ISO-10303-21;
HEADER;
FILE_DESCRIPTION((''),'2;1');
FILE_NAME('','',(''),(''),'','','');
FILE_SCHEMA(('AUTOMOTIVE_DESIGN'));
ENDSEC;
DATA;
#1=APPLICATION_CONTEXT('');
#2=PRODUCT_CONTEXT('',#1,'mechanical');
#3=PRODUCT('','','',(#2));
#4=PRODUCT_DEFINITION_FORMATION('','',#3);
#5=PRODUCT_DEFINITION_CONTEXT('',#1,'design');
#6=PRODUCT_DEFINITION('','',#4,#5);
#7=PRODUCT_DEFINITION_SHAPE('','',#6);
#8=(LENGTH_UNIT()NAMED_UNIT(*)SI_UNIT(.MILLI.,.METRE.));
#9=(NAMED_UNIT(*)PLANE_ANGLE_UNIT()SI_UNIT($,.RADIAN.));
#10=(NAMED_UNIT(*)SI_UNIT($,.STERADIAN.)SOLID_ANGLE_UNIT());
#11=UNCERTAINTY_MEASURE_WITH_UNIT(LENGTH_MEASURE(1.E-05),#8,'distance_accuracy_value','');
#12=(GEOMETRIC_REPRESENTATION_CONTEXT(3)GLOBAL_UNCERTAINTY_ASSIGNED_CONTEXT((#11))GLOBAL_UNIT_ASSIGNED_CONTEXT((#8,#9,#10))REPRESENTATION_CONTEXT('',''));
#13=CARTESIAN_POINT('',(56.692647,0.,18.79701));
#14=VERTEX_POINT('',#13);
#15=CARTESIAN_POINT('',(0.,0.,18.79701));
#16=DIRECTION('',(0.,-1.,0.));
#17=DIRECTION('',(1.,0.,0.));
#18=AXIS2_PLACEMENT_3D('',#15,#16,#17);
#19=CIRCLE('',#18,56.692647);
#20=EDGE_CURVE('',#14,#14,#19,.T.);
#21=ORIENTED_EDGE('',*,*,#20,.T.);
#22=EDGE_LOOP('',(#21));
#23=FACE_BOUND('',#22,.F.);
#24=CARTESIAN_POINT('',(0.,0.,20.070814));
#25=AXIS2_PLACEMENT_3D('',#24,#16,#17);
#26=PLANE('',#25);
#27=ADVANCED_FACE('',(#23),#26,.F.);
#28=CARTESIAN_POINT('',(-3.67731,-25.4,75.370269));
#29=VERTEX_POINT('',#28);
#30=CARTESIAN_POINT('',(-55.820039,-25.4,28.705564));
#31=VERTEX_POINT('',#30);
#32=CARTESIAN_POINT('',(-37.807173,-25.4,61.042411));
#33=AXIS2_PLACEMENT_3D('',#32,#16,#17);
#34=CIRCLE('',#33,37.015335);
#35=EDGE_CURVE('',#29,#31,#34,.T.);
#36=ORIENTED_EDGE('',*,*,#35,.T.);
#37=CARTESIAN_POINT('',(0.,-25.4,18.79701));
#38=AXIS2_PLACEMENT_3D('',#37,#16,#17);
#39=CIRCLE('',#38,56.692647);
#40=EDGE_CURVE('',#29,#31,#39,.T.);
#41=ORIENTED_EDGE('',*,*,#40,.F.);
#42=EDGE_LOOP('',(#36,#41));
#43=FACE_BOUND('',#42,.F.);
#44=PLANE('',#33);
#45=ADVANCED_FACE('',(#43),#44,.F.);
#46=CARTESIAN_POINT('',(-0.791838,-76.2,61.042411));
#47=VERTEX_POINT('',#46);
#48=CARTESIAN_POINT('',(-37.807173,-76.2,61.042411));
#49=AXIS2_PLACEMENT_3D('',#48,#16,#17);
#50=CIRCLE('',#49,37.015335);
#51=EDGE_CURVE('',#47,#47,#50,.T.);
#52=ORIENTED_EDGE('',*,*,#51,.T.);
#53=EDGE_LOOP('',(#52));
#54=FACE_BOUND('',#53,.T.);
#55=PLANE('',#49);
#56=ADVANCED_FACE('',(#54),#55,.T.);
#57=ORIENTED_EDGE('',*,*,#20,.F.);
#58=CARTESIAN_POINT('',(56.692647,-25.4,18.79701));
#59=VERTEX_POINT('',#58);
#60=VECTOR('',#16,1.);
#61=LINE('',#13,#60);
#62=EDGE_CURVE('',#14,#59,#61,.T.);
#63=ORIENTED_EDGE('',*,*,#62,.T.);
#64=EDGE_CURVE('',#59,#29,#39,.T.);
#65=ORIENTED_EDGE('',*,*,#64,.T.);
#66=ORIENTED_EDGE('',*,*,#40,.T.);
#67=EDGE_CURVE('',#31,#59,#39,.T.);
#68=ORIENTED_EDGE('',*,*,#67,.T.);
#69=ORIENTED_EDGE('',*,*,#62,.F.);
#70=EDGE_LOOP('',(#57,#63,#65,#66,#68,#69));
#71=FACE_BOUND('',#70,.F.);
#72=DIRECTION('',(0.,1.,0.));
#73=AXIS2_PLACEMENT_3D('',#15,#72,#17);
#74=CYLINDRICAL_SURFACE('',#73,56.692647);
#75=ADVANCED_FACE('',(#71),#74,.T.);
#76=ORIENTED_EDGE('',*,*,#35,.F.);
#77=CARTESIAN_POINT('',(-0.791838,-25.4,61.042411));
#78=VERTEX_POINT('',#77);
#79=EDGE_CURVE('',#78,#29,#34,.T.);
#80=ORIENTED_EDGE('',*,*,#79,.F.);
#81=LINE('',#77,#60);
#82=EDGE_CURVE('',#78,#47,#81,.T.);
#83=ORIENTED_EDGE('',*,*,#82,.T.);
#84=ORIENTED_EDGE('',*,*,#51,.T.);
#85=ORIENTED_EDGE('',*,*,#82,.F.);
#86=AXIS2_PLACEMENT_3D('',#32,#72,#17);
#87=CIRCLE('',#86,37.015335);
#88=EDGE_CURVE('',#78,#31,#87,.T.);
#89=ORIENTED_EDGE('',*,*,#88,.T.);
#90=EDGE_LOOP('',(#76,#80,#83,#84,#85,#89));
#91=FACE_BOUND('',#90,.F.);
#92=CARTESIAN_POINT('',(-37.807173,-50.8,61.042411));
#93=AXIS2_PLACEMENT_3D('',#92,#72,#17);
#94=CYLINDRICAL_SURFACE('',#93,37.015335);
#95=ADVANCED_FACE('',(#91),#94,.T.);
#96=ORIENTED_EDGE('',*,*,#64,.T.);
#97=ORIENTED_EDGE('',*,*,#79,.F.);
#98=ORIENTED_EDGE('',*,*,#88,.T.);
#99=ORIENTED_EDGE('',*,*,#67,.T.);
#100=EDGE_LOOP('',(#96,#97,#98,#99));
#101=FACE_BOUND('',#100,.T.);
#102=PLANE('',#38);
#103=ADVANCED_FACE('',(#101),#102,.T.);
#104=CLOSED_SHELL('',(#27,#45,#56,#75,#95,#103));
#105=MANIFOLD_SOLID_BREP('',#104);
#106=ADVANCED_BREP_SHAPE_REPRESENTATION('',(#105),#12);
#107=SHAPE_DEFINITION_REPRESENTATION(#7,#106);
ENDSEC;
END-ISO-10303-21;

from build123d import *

# Parameters (mm, degrees)
F1_R      = 56.692647
F2_DEPTH  = 25.4
F3_R      = 37.015335
F4_DEPTH  = 25.4
F4_FACE_R = 37.015335
F5_DEPTH  = 25.4
F6_R      = 26.874767
F7_DEPTH  = 25.4


with BuildPart() as f2:
    # F1 (on face) → F2 (new body)
    with BuildSketch(Plane.XZ):
        with Locations((0, 18.79701)):
            Circle(F1_R)
    extrude(amount=F2_DEPTH)

    # F3 (on face) → F4 (join)
    with BuildSketch(Plane.XZ.offset(25.4)):
        with Locations((-37.807173, 61.042411)):
            Circle(F3_R)
    extrude(amount=F4_DEPTH)

    # F4_face (on face) → F5 (join)
    with BuildSketch(Plane(origin=(-37.807173, -50.8, 61.042411), x_dir=(1, 0, 0), z_dir=(0, -1, 0))):
        Circle(F4_FACE_R)
    extrude(amount=F5_DEPTH)

    # F6 (on face) → F7 (join)
    with BuildSketch(Plane.XZ):
        with Locations((0, 20.070814)):
            Circle(F6_R)
    extrude(amount=F7_DEPTH)


solid = f2.part
